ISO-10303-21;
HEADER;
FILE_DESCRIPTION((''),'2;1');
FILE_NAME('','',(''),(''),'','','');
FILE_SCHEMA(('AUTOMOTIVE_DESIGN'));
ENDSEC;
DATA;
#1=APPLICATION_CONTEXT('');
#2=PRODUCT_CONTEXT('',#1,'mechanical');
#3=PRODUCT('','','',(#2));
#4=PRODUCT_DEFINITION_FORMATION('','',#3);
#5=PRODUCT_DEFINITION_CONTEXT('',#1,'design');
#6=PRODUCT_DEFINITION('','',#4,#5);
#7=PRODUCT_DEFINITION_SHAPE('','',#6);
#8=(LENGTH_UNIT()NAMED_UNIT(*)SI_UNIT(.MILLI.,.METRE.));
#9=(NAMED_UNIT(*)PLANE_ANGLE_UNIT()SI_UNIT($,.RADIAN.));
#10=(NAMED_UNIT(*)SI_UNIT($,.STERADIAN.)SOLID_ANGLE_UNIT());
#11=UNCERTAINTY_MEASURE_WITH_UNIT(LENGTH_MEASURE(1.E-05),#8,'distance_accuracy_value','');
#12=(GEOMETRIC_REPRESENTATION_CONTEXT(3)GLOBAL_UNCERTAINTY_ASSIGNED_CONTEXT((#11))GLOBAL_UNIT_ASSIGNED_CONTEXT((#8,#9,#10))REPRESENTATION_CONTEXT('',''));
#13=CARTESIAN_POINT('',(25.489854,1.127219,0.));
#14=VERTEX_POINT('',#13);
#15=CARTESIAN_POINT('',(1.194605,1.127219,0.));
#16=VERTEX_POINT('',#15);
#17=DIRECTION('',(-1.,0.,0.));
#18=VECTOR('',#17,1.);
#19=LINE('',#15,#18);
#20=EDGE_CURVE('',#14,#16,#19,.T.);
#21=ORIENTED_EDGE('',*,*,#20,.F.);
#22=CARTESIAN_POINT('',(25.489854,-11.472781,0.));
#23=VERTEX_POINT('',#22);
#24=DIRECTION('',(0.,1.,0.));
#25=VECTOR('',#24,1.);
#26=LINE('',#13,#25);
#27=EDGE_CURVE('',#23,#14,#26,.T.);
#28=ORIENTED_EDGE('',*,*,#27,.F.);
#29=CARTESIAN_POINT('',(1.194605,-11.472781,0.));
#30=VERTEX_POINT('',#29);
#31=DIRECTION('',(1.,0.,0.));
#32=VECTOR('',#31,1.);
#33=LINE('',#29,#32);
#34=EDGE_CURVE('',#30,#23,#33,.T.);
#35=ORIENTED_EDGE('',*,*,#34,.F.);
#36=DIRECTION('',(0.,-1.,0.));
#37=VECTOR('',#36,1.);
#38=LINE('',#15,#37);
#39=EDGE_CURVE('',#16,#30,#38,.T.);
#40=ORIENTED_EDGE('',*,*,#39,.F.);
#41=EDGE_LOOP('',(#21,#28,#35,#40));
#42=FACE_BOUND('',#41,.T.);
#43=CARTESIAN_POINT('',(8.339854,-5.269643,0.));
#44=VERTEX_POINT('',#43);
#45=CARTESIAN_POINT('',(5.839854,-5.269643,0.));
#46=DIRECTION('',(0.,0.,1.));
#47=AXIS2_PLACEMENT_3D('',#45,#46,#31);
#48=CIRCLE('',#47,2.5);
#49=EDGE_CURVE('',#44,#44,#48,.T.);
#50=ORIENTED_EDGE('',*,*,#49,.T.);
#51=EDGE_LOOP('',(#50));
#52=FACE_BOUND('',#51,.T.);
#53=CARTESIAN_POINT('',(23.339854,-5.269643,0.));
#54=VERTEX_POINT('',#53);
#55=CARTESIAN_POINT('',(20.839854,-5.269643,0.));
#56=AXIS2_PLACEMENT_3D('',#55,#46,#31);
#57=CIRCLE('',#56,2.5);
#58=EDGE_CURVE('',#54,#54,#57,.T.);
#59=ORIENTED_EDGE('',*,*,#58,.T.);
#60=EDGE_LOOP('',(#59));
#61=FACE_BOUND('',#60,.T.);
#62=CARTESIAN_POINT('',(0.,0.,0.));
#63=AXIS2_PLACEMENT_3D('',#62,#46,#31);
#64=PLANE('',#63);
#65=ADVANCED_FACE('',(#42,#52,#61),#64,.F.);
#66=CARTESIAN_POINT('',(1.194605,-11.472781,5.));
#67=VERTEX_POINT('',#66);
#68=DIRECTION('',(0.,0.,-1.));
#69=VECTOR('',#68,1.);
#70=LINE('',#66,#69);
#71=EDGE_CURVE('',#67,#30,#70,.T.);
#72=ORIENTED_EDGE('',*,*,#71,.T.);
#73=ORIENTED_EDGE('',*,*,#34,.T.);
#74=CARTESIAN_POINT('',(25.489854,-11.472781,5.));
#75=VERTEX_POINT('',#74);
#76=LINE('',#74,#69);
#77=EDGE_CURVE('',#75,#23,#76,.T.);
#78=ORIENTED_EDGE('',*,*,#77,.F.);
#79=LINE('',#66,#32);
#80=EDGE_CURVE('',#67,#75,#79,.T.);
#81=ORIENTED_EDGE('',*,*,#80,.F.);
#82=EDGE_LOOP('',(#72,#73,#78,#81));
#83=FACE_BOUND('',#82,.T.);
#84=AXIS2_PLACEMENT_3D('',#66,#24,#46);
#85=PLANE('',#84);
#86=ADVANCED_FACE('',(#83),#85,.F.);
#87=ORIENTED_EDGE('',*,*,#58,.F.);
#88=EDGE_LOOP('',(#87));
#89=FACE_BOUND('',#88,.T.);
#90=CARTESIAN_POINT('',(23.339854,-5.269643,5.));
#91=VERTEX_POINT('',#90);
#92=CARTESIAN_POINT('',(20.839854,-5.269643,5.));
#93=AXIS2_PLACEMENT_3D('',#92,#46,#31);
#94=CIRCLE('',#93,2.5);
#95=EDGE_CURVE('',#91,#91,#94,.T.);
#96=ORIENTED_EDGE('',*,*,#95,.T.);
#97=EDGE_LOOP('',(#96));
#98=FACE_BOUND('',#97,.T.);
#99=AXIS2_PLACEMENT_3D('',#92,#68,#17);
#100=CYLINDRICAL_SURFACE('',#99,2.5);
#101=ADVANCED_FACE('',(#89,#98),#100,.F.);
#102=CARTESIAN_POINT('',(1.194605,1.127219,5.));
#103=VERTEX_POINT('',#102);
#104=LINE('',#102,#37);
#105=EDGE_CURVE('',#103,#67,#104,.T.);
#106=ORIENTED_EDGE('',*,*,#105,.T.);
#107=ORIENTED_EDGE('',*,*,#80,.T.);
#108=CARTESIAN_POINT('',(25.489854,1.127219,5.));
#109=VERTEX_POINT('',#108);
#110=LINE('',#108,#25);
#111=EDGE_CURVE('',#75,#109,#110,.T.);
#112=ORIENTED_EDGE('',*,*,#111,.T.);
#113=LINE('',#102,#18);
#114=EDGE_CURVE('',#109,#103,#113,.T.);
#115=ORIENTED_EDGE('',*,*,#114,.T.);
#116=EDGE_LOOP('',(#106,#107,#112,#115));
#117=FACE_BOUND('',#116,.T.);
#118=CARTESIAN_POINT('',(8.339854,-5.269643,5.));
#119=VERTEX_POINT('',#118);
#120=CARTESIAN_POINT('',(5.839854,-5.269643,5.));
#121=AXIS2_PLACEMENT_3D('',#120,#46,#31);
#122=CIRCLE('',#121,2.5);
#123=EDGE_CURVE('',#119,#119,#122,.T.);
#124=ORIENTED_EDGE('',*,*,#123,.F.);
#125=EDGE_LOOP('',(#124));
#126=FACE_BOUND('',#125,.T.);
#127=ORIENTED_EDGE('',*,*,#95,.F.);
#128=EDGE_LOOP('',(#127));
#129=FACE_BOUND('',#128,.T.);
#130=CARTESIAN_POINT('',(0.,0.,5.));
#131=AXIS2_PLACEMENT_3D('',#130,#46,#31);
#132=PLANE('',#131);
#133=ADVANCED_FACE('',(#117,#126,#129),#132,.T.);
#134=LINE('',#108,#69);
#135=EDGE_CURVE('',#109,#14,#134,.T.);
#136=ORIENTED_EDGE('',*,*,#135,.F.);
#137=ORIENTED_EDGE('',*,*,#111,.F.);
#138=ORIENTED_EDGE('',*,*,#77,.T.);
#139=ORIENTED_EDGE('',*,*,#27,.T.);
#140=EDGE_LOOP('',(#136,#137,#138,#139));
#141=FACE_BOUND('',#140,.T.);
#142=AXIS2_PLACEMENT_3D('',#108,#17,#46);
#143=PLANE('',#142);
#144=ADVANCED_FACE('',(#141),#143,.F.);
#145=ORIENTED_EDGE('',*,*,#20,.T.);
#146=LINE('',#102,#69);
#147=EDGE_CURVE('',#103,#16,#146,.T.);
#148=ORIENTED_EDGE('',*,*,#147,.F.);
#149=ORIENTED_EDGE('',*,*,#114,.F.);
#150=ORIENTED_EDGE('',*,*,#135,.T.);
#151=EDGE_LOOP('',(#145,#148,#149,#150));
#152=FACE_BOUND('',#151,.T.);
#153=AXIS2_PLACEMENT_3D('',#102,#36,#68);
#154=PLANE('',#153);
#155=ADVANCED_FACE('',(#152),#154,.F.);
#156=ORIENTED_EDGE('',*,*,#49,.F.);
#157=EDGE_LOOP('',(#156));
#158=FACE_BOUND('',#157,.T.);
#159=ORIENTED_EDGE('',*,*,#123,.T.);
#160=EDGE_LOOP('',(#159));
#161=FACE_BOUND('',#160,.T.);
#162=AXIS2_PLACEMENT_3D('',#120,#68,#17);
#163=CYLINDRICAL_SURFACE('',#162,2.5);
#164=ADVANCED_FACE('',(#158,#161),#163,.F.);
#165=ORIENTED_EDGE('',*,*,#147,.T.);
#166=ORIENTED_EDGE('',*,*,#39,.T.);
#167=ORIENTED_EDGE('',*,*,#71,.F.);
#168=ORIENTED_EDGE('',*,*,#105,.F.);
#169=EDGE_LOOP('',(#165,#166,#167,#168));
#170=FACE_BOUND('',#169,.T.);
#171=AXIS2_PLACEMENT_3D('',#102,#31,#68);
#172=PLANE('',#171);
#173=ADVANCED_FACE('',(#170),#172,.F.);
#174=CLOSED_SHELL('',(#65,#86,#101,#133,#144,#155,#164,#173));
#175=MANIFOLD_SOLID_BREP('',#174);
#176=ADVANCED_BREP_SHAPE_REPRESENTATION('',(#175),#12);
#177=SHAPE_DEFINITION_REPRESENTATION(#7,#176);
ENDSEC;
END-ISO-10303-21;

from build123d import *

# Parameters (mm, degrees)
ESQUISSE1_W        = 24.295248989
ESQUISSE1_H        = 12.6
ESQUISSE1_R        = 2.5
BOSS_EXTRU_1_DEPTH = 5


with BuildPart() as part:
    # Esquisse1 → Boss.-Extru.1 (new body)
    with BuildSketch(Plane.XY):
        with Locations((13.342229278, -5.172780833)):
            Rectangle(ESQUISSE1_W, ESQUISSE1_H)
        with Locations((20.839853773, -5.269642607)):
            Circle(ESQUISSE1_R, mode=Mode.SUBTRACT)
        with Locations((5.839853773, -5.269642607)):
            Circle(ESQUISSE1_R, mode=Mode.SUBTRACT)
    extrude(amount=BOSS_EXTRU_1_DEPTH)


solid = part.part
